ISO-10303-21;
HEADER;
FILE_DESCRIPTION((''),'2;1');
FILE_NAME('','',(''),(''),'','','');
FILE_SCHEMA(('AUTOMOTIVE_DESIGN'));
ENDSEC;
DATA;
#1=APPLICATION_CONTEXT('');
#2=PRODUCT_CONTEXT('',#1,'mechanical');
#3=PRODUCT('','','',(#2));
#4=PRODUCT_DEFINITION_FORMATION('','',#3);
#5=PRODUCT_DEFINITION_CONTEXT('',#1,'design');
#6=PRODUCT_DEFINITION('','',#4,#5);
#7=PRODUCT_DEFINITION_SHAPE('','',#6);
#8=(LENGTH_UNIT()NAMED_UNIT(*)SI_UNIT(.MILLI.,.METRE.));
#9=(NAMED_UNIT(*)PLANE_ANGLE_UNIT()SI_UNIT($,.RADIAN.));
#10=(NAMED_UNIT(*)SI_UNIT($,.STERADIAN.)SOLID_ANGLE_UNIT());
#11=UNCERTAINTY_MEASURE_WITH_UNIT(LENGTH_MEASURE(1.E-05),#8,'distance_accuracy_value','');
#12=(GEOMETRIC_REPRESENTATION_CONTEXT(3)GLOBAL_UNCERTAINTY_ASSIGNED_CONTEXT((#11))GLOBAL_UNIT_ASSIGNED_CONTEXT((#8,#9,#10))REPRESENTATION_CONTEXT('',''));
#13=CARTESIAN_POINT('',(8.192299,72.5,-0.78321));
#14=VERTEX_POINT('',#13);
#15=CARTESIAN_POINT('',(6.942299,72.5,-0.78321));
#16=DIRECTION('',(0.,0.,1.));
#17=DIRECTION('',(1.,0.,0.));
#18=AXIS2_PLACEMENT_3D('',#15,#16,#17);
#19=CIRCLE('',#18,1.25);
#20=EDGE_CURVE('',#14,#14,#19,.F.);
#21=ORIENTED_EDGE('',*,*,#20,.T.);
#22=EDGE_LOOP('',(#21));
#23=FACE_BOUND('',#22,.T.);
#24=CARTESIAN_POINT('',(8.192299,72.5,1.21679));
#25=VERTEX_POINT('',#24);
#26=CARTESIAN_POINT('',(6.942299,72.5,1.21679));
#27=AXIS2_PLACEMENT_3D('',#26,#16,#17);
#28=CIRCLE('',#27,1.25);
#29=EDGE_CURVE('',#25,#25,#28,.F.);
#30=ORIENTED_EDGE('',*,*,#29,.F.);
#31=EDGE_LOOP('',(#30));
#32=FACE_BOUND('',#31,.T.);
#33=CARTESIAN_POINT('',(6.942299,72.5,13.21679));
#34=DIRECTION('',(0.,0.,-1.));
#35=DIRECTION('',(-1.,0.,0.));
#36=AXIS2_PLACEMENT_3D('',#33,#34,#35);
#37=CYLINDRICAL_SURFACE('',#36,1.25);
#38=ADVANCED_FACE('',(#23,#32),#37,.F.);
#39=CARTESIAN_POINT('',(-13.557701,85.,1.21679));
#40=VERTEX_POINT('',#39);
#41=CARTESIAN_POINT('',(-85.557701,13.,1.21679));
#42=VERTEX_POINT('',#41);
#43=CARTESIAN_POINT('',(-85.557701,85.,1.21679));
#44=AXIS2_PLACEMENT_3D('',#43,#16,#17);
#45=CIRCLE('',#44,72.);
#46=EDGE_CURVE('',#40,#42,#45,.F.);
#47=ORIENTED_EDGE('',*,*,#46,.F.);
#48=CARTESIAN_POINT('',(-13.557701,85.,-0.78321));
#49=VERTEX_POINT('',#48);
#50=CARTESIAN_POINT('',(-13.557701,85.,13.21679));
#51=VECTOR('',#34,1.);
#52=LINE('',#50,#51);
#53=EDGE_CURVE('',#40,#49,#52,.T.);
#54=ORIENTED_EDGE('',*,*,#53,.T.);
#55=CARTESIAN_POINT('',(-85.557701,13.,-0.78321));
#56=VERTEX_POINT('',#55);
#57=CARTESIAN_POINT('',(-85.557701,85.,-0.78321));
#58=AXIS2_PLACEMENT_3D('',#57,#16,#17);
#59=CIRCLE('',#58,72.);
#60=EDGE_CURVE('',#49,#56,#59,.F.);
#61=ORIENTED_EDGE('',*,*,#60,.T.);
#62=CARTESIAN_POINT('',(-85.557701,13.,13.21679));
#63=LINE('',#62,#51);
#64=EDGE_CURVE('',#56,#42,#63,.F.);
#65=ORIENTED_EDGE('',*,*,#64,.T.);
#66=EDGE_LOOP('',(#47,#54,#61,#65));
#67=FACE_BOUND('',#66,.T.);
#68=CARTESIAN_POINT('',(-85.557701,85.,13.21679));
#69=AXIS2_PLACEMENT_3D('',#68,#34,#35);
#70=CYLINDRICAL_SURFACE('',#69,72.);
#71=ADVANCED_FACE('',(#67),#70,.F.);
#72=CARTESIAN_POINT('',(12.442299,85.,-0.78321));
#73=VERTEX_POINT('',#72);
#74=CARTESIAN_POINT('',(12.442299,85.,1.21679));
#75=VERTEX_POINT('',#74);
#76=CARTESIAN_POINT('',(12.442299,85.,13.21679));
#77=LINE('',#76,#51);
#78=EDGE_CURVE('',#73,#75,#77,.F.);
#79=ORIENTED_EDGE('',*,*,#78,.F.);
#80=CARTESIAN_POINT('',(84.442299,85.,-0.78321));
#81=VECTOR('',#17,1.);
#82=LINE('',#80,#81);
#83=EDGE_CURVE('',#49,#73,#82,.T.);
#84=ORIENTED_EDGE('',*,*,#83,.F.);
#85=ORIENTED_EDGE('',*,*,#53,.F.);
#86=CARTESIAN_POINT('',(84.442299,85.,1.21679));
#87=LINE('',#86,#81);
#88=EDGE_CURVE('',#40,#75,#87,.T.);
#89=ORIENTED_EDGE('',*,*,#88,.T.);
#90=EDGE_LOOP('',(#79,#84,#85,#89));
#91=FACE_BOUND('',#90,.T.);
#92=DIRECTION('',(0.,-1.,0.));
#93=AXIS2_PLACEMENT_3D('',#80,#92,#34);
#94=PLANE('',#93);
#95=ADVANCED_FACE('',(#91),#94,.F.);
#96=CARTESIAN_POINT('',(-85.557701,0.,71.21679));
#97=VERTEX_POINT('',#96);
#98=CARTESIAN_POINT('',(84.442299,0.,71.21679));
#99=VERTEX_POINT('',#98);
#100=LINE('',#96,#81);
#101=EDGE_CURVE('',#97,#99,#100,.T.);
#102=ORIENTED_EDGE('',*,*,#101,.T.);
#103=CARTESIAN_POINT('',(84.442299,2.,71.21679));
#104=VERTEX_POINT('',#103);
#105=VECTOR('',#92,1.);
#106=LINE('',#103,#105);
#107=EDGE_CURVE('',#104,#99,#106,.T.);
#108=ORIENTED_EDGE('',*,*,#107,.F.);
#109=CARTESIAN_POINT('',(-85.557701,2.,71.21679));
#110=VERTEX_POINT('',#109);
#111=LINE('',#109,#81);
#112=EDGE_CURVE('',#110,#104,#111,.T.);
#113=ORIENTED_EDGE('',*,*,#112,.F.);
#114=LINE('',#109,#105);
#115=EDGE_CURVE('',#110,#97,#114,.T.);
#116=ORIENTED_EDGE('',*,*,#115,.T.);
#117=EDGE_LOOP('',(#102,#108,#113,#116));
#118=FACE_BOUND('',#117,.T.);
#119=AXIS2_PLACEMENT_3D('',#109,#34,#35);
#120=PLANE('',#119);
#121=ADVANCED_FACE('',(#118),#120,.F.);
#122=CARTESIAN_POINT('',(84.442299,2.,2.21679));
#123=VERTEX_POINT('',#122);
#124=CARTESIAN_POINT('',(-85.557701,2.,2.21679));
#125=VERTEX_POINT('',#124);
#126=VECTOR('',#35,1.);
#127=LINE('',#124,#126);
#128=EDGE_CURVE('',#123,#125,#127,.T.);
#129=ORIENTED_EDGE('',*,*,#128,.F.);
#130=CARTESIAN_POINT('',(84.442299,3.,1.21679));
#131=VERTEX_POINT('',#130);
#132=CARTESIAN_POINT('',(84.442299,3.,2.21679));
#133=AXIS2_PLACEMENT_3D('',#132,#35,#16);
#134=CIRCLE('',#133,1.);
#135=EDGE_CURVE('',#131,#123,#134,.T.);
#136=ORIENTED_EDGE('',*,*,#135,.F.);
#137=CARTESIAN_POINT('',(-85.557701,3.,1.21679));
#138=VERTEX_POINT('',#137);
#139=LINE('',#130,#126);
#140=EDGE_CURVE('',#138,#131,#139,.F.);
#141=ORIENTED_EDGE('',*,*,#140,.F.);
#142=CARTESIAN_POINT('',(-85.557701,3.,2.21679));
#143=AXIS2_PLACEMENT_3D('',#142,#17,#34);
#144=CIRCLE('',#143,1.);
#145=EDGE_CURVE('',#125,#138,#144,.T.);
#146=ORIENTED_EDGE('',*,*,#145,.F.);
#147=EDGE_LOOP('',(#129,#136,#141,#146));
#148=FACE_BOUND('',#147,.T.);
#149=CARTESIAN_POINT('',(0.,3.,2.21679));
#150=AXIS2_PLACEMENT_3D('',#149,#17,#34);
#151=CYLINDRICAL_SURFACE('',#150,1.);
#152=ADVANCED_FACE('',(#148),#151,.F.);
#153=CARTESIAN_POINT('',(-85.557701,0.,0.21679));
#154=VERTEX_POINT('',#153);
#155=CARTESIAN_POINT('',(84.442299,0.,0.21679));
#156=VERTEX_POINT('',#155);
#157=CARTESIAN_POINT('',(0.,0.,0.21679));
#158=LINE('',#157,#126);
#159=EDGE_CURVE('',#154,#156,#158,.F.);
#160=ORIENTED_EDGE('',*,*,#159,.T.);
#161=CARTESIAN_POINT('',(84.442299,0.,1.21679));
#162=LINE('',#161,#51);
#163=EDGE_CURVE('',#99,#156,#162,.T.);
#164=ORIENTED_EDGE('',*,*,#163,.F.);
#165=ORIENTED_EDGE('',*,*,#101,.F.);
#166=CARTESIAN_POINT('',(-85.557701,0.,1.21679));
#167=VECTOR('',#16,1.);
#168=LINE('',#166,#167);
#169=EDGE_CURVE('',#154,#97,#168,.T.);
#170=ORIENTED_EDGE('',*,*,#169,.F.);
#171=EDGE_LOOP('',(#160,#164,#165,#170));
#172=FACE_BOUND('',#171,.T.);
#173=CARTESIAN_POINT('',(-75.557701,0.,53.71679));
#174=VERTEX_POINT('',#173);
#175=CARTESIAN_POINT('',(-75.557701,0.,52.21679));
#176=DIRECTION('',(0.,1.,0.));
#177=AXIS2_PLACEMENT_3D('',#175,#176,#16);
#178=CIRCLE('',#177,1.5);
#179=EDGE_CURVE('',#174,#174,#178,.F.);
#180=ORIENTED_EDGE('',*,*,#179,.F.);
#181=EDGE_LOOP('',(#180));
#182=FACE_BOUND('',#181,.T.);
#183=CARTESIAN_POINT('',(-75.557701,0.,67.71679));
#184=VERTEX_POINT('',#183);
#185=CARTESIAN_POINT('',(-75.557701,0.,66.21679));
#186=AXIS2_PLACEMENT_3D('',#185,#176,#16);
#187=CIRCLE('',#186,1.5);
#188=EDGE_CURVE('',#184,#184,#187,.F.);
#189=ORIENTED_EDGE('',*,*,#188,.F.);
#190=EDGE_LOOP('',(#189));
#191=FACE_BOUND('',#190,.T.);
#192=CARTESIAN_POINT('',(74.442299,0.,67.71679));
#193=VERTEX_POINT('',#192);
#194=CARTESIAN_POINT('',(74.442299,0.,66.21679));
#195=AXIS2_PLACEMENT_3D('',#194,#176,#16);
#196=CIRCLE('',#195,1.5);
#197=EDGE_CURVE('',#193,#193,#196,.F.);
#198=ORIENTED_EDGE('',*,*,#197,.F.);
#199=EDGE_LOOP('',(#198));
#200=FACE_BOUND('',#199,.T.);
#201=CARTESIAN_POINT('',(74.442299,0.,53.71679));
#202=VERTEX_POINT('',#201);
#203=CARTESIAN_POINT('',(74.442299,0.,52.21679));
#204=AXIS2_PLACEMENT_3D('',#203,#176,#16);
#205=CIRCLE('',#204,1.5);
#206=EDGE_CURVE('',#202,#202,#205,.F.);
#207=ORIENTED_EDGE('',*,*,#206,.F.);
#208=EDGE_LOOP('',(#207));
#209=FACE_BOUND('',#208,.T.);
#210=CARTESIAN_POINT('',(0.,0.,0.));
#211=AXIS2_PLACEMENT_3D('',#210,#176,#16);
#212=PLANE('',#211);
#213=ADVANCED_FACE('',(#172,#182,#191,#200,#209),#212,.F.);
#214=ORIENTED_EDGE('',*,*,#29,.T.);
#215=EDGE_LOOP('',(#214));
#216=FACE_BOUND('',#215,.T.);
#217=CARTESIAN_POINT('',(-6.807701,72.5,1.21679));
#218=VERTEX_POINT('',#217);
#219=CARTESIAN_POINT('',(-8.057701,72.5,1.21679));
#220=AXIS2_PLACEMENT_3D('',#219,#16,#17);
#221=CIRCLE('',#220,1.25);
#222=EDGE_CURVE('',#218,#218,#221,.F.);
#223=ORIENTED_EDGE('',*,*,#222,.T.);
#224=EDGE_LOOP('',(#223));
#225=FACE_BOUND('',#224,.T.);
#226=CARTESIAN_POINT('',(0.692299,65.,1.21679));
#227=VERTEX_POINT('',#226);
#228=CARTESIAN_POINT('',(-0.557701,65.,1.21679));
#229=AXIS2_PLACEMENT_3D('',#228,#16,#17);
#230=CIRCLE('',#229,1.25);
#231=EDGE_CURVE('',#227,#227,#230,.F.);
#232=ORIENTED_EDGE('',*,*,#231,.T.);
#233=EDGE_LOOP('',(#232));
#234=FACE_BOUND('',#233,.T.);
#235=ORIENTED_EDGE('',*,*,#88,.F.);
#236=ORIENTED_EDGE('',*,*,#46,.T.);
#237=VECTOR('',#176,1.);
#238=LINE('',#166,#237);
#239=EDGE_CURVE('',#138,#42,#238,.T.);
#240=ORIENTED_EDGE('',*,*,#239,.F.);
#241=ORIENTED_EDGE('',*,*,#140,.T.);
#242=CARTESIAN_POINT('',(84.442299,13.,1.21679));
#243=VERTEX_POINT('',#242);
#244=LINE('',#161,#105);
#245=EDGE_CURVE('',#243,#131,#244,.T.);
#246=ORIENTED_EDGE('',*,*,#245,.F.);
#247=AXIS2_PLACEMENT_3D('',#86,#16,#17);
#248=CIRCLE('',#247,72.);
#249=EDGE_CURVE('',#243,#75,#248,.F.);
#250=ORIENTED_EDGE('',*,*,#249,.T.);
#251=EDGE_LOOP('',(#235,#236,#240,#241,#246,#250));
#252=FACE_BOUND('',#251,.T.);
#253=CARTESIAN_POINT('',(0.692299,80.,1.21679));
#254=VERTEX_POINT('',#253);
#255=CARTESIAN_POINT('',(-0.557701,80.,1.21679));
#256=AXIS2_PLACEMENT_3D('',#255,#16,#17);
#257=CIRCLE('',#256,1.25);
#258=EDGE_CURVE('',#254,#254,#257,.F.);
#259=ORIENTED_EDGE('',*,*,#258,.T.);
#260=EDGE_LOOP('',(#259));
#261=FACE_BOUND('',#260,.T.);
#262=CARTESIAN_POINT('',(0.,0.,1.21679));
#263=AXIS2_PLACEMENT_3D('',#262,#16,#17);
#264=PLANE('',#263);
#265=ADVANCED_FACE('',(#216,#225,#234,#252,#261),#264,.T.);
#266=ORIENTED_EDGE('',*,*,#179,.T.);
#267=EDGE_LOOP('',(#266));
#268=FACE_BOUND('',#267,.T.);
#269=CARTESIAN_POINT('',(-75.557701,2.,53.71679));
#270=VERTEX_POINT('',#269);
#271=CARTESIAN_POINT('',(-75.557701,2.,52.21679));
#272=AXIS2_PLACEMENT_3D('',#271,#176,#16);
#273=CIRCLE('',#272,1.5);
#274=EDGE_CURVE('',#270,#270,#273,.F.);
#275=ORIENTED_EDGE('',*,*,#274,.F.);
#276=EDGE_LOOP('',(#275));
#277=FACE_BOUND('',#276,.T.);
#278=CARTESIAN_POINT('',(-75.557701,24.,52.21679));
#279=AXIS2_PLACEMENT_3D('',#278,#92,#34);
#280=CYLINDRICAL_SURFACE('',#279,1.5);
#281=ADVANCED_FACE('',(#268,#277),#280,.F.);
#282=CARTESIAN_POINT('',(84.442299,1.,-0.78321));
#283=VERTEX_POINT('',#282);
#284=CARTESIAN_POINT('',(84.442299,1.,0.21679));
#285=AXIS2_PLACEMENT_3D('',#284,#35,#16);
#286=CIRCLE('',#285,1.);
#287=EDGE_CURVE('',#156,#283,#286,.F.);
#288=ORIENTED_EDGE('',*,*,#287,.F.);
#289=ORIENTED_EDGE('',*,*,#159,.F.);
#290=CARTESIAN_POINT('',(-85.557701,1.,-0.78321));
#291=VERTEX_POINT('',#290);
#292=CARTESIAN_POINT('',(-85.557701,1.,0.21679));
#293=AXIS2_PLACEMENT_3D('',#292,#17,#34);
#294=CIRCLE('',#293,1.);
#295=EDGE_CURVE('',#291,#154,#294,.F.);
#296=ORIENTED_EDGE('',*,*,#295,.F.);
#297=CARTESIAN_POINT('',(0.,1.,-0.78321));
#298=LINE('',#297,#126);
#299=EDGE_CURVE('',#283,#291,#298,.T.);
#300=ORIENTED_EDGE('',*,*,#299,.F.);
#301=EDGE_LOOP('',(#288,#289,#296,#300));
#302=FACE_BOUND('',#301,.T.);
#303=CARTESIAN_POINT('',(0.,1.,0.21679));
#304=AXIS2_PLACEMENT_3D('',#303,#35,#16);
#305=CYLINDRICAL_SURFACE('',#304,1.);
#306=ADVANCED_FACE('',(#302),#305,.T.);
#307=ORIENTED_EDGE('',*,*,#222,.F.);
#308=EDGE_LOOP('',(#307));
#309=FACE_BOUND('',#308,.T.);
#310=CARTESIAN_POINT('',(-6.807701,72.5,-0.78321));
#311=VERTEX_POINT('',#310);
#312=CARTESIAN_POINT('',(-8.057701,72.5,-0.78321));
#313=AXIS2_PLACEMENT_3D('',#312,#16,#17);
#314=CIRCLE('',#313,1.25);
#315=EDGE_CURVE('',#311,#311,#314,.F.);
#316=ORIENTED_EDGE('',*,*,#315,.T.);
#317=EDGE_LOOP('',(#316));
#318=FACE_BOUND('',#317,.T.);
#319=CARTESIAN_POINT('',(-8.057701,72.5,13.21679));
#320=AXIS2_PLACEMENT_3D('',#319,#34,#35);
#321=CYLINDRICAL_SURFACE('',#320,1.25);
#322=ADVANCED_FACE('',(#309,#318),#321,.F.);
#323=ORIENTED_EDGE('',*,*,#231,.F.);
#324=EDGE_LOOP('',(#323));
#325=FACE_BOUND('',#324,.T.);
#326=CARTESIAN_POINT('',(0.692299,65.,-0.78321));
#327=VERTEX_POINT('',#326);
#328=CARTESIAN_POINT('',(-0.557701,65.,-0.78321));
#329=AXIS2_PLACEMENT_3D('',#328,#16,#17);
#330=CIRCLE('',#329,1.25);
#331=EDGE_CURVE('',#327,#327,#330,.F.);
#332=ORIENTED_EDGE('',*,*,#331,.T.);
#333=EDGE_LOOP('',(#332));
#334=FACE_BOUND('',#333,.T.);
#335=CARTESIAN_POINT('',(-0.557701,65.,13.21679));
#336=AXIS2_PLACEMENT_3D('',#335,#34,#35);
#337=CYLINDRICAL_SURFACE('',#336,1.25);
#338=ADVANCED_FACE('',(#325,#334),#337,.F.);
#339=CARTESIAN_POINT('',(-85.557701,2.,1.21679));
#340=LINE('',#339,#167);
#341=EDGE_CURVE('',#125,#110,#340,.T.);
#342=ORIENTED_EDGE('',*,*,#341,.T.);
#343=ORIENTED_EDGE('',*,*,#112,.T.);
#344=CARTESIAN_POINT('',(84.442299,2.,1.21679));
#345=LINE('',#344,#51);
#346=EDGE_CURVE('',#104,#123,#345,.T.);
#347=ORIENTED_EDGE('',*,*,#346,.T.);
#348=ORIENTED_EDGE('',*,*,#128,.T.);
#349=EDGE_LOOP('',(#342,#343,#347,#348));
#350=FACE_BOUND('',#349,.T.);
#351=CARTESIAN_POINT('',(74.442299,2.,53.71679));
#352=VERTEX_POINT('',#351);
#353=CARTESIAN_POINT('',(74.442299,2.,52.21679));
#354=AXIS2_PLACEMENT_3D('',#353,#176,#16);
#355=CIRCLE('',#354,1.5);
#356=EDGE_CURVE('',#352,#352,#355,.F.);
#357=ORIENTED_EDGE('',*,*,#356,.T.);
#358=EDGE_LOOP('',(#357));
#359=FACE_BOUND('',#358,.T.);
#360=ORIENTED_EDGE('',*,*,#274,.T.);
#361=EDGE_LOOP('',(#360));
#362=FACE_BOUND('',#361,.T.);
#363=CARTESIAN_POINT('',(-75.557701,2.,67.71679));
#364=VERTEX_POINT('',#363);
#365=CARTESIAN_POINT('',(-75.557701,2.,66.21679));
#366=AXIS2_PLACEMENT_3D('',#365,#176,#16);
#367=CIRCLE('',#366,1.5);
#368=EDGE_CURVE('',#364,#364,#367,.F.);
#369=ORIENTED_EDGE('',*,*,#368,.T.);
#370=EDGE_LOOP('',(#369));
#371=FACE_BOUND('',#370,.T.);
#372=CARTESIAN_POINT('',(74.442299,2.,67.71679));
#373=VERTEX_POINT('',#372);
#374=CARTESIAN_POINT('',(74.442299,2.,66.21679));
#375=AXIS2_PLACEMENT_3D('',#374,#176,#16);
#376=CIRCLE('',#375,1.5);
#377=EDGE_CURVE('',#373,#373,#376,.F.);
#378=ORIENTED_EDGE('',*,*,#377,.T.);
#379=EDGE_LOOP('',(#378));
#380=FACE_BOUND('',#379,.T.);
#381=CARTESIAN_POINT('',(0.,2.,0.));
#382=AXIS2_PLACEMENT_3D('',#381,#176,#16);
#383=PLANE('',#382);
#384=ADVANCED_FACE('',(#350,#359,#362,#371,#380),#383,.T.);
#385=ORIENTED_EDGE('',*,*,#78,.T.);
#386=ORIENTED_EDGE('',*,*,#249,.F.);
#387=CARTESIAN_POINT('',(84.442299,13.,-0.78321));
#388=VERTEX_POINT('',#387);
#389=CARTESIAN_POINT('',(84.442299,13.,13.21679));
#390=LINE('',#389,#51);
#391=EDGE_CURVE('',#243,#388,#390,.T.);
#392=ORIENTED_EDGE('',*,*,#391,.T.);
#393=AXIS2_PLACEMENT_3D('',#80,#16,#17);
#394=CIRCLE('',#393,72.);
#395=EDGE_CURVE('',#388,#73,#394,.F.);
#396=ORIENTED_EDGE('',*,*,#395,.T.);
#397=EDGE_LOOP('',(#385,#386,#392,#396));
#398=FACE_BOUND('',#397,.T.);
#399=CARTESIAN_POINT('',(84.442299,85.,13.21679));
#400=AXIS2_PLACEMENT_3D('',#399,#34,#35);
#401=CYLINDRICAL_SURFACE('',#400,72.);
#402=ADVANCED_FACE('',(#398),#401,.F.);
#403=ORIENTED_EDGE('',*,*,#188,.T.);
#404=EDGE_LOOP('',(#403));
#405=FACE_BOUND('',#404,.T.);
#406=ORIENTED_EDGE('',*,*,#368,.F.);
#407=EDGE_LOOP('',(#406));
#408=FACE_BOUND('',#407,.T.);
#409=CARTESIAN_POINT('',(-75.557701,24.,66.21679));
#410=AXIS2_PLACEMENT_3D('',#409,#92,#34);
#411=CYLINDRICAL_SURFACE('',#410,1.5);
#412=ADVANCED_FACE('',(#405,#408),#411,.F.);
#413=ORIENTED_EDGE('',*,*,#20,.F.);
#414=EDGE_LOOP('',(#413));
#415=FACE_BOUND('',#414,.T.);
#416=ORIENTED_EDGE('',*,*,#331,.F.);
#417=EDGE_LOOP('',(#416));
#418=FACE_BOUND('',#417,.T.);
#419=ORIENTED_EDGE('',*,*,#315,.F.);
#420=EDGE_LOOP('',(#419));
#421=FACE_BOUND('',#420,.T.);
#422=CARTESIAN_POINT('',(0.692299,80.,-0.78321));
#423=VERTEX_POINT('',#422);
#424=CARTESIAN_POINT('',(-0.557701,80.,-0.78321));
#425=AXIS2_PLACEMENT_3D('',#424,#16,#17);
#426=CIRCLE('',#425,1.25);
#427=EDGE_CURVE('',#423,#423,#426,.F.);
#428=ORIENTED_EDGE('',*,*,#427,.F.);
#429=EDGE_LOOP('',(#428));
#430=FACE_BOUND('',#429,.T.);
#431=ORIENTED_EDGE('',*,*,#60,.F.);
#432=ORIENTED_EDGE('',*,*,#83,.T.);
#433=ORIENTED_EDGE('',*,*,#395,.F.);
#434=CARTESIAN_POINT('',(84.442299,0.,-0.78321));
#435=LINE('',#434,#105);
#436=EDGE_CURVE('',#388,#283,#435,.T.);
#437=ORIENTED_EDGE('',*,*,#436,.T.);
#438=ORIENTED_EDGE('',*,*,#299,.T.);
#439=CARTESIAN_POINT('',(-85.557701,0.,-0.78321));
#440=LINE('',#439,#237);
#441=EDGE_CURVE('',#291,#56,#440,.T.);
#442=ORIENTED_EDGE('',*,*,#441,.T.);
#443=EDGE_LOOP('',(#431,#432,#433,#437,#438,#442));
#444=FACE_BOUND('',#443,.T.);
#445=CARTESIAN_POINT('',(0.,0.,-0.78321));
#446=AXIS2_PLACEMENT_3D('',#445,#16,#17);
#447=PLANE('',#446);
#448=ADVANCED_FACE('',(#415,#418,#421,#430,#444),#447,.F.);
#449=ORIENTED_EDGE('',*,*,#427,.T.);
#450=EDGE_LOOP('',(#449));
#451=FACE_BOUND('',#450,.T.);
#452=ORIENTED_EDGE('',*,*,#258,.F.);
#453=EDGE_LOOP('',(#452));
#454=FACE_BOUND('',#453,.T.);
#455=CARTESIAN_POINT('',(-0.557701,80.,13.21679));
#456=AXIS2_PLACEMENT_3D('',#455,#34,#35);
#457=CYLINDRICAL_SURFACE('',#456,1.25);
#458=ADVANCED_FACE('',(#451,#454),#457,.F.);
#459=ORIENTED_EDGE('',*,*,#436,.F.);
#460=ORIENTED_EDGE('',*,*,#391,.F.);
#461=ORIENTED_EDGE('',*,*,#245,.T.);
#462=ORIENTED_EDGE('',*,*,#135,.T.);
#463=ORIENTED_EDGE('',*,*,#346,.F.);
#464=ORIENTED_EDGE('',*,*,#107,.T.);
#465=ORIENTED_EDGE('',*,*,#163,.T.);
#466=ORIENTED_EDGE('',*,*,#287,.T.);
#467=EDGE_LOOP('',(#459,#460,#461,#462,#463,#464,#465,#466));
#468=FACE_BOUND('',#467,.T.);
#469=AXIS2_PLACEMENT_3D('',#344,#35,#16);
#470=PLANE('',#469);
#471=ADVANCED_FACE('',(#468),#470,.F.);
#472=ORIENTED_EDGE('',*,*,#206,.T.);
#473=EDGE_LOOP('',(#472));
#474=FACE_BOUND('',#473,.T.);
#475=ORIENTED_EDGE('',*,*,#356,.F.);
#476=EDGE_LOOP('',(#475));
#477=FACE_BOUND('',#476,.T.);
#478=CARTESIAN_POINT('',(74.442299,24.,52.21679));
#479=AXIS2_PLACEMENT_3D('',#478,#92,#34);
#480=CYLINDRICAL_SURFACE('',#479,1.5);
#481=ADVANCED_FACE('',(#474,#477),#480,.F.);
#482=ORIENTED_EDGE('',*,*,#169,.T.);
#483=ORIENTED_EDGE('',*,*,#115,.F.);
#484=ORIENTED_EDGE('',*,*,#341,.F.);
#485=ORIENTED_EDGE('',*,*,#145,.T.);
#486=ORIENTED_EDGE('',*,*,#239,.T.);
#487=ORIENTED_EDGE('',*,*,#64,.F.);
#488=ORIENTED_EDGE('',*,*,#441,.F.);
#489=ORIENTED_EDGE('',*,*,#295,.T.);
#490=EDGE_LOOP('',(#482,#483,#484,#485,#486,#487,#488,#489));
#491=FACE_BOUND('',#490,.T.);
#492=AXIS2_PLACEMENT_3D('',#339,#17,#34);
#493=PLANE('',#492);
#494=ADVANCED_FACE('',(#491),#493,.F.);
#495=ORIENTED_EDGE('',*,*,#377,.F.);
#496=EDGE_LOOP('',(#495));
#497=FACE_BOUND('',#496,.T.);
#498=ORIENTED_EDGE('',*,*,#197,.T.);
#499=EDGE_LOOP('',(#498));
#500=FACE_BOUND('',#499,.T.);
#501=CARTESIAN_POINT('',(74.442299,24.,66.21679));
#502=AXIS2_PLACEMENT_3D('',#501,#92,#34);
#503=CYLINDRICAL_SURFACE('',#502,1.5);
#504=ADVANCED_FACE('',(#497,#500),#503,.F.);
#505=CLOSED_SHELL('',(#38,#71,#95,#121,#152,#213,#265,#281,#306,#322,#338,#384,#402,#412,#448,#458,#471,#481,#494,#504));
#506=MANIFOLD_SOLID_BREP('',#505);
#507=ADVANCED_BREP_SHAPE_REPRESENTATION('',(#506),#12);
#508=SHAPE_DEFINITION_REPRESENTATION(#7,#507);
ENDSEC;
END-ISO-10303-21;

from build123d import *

# Parameters (mm, degrees)
SKETCH1_W               = 170
SKETCH1_H               = 70
BOSS_EXTRUDE1_DEPTH     = 2
CUT_EXTRUDE1_DEPTH      = 22
CUT_EXTRUDE1_DEPTH_BACK = 22
SKETCH2_R               = 1.5
SKETCH4_W               = 170
SKETCH4_H               = 85
BOSS_EXTRUDE2_DEPTH     = 2
FILLET2_R               = 1
FILLET3_R               = 1
CUT_EXTRUDE3_DEPTH      = 12
CUT_EXTRUDE3_DEPTH_BACK = 12
SKETCH6_R               = 1.25
CUT_EXTRUDE4_DEPTH      = 12
CUT_EXTRUDE4_DEPTH_BACK = 12
SKETCH5_R               = 72


with BuildPart() as part:
    # Sketch1 → Boss-Extrude1 (new body)
    with BuildSketch(Plane(origin=(0, 0, 0), x_dir=(1, 0, 0), z_dir=(0, 1, 0))):
        with Locations((-0.557701395, -36.216789823)):
            Rectangle(SKETCH1_W, SKETCH1_H)
    extrude(amount=BOSS_EXTRUDE1_DEPTH)

    # Sketch2 → Cut-Extrude1 (cut, two sides: drawn at the far end of the back side and taken through both)
    with BuildSketch(Plane(origin=(0, 2, 0), x_dir=(1, 0, 0), z_dir=(0, 1, 0)).offset(-CUT_EXTRUDE1_DEPTH_BACK)):
        with Locations((-75.557701395, -52.216789823)):
            Circle(SKETCH2_R)
        with Locations((-75.557701395, -66.216789823)):
            Circle(SKETCH2_R)
        with Locations((74.442298605, -52.216789823)):
            Circle(SKETCH2_R)
        with Locations((74.442298605, -66.216789823)):
            Circle(SKETCH2_R)
    extrude(amount=CUT_EXTRUDE1_DEPTH + CUT_EXTRUDE1_DEPTH_BACK, mode=Mode.SUBTRACT)

    # Sketch4 → Boss-Extrude2 (add)
    with BuildSketch(Plane(origin=(0, 0, 1.216789823), x_dir=(-1, 0, 0), z_dir=(0, 0, -1))):
        with Locations((0.557701395, 42.5)):
            Rectangle(SKETCH4_W, SKETCH4_H)
    extrude(amount=BOSS_EXTRUDE2_DEPTH)

    # Fillet2
    fillet2_edges = [part.edges().sort_by_distance(p)[0] for p in [
        (-0.557701395, 0, -0.783210177),
    ]]
    fillet(fillet2_edges, radius=FILLET2_R)

    # Fillet3
    fillet3_edges = [part.edges().sort_by_distance(p)[0] for p in [
        (-0.557701395, 2, 1.216789823),
    ]]
    fillet(fillet3_edges, radius=FILLET3_R)

    # Sketch6 → Cut-Extrude3 (cut, two sides: drawn at the far end of the back side and taken through both)
    with BuildSketch(Plane.XY.offset(1.216789823).offset(-CUT_EXTRUDE3_DEPTH_BACK)):
        with Locations((-0.557701395, 80)):
            Circle(SKETCH6_R)
        with Locations((-0.557701395, 65)):
            Circle(SKETCH6_R)
        with Locations((6.942298605, 72.5)):
            Circle(SKETCH6_R)
        with Locations((-8.057701395, 72.5)):
            Circle(SKETCH6_R)
    extrude(amount=CUT_EXTRUDE3_DEPTH + CUT_EXTRUDE3_DEPTH_BACK, mode=Mode.SUBTRACT)

    # Sketch5 → Cut-Extrude4 (cut, two sides: drawn at the far end of the back side and taken through both)
    with BuildSketch(Plane.XY.offset(1.216789823).offset(-CUT_EXTRUDE4_DEPTH_BACK)):
        with Locations((-85.557701395, 85)):
            Circle(SKETCH5_R)
        with Locations((84.442298605, 85)):
            Circle(SKETCH5_R)
    extrude(amount=CUT_EXTRUDE4_DEPTH + CUT_EXTRUDE4_DEPTH_BACK, mode=Mode.SUBTRACT)


solid = part.part
